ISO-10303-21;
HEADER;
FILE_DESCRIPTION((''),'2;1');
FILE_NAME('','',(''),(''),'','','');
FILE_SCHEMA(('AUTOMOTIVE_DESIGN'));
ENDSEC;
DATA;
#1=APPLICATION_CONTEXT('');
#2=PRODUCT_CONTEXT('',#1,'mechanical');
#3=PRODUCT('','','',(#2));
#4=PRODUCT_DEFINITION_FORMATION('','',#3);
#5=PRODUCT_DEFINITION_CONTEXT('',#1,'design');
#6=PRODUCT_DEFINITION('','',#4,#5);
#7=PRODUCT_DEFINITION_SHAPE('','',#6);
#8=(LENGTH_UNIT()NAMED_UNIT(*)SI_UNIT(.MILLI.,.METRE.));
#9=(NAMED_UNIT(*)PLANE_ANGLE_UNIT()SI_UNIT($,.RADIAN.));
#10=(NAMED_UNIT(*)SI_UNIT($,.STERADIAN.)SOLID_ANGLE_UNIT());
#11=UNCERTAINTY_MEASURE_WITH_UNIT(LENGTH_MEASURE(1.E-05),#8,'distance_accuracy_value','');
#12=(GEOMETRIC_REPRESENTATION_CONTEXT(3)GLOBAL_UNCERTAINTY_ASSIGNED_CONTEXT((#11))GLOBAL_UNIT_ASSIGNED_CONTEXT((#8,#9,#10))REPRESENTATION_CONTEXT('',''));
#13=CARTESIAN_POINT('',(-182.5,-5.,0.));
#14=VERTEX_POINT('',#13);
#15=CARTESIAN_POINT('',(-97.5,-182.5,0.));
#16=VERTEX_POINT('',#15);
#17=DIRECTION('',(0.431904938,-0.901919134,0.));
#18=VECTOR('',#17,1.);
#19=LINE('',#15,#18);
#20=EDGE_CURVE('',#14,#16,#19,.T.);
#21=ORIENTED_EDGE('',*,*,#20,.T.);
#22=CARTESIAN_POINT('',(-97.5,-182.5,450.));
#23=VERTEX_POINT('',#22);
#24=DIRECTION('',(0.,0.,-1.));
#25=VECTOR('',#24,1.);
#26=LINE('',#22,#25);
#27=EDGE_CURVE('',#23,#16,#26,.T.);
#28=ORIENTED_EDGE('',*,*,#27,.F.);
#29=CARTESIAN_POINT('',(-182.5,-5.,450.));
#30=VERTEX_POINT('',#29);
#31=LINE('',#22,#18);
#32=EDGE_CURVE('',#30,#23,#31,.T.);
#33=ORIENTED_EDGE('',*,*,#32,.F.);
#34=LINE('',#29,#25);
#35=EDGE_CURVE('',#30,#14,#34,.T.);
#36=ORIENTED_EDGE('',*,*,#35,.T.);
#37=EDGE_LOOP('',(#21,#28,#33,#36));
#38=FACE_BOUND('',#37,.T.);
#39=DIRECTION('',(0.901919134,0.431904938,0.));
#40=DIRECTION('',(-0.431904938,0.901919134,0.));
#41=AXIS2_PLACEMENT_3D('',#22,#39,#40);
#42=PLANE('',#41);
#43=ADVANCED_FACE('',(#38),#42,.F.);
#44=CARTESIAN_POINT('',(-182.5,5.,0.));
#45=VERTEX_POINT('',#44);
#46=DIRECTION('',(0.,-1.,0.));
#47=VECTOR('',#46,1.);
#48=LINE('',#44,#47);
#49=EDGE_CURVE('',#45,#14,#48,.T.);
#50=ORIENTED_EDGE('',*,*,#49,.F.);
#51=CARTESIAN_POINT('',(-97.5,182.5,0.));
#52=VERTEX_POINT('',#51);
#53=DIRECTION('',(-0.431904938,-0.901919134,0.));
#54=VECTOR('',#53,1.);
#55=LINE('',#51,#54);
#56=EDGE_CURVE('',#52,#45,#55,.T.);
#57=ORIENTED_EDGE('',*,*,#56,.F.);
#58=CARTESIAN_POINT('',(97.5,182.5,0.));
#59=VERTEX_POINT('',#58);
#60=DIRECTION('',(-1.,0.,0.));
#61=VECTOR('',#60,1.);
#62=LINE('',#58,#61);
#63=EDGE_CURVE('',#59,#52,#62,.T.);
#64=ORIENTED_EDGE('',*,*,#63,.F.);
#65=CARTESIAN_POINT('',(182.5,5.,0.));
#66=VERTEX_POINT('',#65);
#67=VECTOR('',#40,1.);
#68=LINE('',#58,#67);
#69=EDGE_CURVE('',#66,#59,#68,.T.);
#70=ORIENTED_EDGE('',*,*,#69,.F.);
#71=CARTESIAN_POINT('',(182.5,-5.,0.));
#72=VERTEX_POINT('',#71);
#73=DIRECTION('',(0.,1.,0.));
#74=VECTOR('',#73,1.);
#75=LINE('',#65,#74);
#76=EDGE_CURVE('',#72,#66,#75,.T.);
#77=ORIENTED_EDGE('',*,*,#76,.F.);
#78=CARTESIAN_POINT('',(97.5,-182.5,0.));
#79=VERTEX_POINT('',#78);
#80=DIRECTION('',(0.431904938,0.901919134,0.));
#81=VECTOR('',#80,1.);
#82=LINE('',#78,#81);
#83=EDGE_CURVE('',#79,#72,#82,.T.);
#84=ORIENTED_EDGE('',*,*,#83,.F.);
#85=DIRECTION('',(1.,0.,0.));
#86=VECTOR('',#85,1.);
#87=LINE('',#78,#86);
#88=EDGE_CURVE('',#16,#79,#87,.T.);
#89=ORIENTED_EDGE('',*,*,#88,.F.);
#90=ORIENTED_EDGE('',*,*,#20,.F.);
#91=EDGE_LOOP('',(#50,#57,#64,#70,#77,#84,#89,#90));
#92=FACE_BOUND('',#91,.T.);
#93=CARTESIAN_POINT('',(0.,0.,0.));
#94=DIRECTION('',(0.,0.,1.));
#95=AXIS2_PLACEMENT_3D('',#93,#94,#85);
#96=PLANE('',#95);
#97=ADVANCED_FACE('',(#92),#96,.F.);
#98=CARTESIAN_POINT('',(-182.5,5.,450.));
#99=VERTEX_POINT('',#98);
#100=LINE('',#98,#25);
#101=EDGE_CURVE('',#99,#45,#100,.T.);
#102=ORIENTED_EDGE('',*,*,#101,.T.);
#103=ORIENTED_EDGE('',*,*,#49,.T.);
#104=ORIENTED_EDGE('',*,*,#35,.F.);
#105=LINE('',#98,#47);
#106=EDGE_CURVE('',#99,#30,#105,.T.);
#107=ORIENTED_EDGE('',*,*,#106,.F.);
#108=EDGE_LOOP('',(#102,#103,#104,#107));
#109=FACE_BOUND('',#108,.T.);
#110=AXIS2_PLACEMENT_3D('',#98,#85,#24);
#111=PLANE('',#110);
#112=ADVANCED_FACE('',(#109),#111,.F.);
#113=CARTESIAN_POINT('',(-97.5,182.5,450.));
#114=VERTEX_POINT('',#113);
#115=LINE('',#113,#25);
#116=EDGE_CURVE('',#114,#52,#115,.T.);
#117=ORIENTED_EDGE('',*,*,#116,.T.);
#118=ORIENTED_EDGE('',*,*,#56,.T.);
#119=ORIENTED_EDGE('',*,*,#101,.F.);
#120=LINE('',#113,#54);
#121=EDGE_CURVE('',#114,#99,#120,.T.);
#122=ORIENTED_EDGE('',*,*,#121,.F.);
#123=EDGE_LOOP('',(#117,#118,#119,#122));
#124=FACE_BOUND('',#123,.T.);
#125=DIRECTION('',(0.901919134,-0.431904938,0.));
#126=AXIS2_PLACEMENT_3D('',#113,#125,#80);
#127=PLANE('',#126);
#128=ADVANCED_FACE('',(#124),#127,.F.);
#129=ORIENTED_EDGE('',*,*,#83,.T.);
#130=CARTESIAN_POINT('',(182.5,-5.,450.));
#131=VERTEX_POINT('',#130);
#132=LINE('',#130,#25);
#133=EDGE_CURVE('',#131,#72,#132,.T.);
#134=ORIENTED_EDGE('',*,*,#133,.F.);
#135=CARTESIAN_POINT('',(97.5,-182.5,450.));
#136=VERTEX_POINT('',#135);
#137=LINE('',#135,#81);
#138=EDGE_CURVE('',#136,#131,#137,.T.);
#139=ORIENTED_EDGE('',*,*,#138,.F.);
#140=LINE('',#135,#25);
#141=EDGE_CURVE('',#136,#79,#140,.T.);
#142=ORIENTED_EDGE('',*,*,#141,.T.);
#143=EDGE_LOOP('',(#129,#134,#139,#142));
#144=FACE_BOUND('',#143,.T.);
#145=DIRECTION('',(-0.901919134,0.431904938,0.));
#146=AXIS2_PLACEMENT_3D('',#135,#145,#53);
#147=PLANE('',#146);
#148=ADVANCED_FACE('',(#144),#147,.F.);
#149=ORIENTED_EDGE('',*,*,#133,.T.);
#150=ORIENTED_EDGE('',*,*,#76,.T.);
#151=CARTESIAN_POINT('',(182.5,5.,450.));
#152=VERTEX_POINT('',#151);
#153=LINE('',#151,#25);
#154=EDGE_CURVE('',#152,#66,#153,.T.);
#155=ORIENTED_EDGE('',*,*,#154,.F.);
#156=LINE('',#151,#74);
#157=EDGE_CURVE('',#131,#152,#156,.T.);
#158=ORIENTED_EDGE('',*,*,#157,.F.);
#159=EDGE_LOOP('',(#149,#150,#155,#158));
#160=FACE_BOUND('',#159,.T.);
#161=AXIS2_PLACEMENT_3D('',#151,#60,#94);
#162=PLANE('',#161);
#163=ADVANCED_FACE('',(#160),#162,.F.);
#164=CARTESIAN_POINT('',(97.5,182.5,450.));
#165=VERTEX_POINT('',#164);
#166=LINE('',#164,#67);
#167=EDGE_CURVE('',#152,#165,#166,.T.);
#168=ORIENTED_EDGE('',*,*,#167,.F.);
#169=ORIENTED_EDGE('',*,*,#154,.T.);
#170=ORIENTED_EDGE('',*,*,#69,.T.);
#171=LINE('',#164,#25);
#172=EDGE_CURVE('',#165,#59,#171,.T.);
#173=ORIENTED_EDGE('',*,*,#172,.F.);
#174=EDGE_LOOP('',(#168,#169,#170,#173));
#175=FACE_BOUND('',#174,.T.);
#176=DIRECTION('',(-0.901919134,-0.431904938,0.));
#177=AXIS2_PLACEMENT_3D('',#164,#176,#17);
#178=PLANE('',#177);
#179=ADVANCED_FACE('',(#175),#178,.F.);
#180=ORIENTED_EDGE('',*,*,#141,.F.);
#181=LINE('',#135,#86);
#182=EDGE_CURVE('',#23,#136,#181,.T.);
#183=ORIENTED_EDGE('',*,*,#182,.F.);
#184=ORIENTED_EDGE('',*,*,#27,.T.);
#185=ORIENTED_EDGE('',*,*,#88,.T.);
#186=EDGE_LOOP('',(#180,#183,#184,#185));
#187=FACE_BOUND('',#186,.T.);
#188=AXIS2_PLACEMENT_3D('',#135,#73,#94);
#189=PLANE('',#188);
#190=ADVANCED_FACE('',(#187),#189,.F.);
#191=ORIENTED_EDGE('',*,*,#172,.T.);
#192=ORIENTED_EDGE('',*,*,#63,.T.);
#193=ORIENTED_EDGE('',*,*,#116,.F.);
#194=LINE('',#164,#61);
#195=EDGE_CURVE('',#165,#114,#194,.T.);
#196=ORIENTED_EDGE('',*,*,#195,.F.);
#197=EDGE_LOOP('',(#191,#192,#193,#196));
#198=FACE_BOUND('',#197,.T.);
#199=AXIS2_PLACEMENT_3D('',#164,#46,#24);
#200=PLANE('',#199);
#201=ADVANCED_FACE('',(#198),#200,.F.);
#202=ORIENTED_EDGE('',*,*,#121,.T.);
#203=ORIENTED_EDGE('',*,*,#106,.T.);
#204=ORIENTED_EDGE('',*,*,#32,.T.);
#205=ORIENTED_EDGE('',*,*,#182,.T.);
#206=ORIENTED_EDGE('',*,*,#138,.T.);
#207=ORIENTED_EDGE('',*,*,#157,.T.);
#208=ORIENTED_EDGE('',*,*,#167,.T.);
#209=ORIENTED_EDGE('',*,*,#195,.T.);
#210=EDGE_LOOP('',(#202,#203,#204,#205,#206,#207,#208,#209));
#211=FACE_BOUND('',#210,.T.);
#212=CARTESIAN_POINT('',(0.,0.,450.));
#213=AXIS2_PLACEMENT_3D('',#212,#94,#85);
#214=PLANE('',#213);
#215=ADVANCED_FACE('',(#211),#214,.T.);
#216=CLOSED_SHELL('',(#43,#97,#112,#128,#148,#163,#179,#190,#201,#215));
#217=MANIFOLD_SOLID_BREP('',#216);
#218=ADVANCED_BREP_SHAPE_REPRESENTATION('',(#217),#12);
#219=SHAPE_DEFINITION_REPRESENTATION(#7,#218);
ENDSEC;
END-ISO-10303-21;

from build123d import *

# Parameters (mm, degrees)
AUFSATZ_LINEAR_AUSTRAGEN1_DEPTH = 450


with BuildPart() as part:
    # Skizze1 → Aufsatz-Linear austragen1 (new body)
    with BuildSketch(Plane.XY):
        Polygon((97.5, 182.5), (-97.5, 182.5), (-182.5, 5), (-182.5, -5), (-97.5, -182.5), (97.5, -182.5), (182.5, -5), (182.5, 5), align=None)
    extrude(amount=AUFSATZ_LINEAR_AUSTRAGEN1_DEPTH)


solid = part.part
